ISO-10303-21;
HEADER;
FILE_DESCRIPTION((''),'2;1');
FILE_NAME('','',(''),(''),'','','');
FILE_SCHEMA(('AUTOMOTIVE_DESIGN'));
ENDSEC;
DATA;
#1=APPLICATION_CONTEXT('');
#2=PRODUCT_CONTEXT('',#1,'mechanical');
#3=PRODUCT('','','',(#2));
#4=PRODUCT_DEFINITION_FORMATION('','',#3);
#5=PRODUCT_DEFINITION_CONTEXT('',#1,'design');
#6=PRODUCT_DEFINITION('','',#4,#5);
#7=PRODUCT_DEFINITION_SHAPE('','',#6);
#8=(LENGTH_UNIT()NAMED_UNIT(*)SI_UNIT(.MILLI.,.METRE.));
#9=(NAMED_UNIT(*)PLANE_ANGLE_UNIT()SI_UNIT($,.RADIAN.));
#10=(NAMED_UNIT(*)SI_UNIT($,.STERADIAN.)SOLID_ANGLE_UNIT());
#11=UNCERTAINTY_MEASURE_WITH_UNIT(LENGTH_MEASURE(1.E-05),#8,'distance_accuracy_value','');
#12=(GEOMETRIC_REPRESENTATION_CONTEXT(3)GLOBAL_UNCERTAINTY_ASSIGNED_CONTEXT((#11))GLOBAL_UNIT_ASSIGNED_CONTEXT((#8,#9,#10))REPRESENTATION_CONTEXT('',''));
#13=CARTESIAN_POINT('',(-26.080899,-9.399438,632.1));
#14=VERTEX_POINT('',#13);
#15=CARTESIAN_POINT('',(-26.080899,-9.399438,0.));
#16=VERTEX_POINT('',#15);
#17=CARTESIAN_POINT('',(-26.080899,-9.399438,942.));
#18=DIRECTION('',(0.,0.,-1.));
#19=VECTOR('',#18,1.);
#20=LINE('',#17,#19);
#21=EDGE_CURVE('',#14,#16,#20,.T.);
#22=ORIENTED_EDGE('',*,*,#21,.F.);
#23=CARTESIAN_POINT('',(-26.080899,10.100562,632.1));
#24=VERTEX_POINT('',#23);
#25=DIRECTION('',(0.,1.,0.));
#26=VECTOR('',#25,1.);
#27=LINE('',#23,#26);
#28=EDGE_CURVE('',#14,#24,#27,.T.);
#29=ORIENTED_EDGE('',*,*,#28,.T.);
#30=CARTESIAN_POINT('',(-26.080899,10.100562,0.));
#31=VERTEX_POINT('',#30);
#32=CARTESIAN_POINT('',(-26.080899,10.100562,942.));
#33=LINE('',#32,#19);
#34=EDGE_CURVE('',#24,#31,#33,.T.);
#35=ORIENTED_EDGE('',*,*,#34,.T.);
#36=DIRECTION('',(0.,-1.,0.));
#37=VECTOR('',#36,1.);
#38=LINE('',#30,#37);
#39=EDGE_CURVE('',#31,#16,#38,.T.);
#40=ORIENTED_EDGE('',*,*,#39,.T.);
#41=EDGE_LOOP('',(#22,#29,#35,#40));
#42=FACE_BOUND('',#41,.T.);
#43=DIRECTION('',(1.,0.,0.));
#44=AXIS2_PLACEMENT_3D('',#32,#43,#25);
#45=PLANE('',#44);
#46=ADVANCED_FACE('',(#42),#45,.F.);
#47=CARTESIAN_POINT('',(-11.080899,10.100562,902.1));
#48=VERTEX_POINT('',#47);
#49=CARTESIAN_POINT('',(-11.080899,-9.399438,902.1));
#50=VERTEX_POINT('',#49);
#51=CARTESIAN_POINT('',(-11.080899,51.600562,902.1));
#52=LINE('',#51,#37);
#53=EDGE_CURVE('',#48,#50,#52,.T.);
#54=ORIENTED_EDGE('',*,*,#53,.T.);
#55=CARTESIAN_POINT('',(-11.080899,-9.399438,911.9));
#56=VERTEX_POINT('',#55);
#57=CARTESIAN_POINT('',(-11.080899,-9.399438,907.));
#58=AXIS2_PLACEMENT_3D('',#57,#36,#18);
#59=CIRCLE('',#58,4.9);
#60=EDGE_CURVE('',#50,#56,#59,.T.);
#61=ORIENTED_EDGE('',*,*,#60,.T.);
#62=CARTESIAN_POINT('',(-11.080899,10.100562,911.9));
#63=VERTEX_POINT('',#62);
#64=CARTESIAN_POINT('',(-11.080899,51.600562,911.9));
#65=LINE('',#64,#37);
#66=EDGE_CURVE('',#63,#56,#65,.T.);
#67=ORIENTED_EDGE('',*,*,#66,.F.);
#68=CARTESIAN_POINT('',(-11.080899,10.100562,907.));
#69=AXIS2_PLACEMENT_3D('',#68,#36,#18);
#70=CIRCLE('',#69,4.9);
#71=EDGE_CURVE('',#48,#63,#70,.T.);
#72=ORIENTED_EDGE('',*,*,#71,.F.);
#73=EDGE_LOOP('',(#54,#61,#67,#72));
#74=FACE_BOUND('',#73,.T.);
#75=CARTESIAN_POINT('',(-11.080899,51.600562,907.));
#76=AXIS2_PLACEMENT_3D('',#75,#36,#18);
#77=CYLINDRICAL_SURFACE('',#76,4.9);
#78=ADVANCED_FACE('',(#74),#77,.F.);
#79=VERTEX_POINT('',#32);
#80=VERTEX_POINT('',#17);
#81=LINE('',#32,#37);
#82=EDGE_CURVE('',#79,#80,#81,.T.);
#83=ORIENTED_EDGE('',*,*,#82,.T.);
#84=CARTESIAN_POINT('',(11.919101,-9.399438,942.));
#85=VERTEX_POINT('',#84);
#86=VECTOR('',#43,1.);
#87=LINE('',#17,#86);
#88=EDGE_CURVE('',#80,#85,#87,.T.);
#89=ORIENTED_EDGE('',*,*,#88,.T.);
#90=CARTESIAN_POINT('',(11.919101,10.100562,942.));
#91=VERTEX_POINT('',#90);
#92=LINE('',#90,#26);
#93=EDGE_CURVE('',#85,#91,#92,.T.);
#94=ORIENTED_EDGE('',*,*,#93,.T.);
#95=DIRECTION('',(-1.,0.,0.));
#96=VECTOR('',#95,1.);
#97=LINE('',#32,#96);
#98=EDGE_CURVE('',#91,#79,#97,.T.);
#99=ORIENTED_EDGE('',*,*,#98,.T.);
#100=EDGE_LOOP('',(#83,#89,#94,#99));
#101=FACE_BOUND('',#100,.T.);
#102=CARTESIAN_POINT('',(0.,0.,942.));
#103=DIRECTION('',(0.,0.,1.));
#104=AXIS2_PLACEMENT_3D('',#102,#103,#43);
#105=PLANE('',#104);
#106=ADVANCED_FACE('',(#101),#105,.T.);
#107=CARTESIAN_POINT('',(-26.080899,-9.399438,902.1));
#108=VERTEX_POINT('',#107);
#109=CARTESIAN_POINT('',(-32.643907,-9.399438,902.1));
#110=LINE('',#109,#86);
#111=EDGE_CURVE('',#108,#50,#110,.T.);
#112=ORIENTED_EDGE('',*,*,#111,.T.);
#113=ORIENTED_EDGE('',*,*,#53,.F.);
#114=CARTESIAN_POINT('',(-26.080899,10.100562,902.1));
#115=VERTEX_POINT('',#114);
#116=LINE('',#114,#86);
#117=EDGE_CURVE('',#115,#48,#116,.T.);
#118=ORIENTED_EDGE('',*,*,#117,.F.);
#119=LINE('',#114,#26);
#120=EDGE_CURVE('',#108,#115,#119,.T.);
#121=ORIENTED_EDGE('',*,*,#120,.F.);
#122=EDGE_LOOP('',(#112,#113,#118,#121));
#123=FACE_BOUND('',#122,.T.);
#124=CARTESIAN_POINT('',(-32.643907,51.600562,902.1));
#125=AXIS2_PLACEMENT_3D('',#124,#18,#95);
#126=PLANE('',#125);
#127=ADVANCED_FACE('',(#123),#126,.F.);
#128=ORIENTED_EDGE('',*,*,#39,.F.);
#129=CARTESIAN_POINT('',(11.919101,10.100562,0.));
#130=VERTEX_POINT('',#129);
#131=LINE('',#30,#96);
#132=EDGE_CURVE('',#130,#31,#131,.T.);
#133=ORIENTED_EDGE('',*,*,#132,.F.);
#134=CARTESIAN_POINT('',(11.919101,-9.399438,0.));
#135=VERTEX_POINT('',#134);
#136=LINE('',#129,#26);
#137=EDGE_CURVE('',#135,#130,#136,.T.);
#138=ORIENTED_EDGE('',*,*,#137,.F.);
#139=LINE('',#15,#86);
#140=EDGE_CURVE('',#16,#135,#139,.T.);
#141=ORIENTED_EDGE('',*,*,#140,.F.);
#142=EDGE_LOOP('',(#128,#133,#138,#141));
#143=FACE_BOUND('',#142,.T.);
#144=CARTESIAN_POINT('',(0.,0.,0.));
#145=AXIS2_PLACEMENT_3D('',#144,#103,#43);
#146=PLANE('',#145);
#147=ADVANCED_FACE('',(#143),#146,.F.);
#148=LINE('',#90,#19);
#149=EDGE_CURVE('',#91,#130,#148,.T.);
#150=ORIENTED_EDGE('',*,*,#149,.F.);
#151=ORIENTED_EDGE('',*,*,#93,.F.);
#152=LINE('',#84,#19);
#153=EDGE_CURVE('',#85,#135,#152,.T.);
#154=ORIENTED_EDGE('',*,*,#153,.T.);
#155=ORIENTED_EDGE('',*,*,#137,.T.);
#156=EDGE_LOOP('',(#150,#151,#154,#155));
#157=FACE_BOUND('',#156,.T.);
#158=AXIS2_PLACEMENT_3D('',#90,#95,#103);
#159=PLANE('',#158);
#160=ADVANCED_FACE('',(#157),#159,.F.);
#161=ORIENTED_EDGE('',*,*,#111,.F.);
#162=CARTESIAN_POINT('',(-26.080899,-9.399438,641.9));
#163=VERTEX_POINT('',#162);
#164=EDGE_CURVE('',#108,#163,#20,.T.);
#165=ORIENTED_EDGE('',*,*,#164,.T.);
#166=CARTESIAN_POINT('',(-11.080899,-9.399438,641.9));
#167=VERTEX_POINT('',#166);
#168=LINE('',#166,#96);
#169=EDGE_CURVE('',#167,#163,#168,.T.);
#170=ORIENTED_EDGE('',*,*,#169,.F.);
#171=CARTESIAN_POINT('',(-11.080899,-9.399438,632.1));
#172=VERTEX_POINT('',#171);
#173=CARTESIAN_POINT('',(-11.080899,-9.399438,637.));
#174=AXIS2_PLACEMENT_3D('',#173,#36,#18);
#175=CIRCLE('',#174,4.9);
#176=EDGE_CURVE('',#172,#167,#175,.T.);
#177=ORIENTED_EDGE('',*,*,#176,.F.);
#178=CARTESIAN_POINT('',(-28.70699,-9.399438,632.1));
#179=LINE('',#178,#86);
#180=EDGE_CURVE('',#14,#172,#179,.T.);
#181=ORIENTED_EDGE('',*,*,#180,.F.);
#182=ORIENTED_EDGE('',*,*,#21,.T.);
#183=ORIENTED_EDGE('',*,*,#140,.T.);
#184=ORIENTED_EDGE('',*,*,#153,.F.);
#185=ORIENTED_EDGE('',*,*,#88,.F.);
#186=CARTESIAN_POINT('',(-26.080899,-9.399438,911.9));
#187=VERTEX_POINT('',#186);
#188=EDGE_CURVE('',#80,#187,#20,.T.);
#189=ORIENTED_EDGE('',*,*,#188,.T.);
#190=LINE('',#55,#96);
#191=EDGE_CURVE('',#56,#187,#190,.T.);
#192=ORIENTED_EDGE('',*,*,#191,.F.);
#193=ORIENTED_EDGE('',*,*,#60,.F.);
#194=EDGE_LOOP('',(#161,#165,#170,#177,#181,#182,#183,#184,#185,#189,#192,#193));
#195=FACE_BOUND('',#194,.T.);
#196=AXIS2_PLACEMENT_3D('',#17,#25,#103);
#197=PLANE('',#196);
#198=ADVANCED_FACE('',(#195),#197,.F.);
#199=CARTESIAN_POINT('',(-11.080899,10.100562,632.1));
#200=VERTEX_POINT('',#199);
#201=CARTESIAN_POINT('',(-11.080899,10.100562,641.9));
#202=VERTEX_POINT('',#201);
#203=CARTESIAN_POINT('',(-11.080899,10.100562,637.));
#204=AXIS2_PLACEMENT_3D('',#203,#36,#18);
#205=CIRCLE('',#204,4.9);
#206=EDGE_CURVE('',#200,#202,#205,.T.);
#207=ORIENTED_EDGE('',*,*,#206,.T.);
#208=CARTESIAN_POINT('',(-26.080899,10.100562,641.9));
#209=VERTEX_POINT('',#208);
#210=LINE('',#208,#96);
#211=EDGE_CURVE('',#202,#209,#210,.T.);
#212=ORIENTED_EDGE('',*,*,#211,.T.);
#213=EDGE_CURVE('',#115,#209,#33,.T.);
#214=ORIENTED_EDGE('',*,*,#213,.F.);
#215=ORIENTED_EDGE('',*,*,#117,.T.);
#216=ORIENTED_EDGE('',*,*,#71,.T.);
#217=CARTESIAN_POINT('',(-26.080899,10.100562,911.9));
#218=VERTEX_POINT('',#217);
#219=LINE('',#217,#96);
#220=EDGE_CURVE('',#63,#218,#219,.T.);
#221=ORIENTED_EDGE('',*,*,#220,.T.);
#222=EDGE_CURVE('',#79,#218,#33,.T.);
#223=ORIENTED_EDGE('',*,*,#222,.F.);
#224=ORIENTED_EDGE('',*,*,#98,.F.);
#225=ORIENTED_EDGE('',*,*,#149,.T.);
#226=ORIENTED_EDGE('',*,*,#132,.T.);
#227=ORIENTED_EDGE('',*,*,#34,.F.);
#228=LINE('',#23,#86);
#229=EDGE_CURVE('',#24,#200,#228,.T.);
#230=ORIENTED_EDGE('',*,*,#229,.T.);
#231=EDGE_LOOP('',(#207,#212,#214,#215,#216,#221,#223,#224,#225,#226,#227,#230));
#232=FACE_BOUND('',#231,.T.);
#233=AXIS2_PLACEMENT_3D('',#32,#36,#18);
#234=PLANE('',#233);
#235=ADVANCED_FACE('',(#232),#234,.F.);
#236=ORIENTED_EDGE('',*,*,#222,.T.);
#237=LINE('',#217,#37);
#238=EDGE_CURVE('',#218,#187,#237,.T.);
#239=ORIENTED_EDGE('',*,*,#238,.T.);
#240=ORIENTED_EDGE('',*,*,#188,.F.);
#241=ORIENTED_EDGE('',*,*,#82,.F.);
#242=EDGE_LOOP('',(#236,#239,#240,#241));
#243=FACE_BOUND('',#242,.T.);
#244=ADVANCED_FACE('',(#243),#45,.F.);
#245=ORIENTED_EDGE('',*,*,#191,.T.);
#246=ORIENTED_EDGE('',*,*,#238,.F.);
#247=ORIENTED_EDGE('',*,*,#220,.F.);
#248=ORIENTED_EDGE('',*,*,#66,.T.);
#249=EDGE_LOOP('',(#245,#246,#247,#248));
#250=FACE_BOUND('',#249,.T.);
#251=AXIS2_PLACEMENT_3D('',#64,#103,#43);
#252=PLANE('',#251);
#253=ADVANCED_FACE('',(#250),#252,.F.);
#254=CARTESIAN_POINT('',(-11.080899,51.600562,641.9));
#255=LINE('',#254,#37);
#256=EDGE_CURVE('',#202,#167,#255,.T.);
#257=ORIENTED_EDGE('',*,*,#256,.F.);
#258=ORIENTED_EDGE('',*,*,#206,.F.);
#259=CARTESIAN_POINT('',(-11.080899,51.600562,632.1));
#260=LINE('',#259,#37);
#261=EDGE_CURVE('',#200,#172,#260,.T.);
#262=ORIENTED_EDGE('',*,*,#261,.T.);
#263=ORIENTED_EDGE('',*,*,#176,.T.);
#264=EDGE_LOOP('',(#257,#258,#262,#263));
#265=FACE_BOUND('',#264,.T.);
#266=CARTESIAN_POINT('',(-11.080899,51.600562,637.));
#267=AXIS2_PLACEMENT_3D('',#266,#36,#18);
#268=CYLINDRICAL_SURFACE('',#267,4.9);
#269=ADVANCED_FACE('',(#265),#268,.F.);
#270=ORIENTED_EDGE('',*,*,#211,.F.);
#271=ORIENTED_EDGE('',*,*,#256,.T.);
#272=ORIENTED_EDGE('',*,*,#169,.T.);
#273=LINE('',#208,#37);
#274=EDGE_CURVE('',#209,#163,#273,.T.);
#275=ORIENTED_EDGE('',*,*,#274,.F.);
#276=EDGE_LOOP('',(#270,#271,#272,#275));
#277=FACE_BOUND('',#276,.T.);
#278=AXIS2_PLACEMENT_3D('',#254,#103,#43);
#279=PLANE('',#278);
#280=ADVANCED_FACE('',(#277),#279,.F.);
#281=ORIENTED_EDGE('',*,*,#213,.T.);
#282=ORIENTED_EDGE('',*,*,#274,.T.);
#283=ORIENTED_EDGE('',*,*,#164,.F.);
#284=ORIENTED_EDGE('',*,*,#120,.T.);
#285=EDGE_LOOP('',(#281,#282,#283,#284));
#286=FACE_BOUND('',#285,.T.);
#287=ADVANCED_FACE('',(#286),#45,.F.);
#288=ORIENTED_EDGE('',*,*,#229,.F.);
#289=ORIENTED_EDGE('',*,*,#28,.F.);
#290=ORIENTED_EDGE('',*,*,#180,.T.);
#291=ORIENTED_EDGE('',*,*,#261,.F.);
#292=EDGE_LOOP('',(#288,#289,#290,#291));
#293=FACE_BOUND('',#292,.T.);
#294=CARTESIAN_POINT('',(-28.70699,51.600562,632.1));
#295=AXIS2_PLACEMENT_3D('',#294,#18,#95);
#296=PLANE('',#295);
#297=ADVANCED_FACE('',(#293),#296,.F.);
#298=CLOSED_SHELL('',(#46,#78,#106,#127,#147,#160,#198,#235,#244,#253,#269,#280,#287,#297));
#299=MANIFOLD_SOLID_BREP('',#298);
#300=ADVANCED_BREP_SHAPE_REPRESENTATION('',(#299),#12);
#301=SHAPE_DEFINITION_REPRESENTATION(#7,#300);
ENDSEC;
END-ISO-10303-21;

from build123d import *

# Parameters (mm, degrees)
SKETCH1_W           = 38
SKETCH1_H           = 19.5
BOSS_EXTRUDE1_DEPTH = 942
CUT_EXTRUDE1_DEPTH  = 61


with BuildPart() as part:
    # Sketch1 → Boss-Extrude1 (new body)
    with BuildSketch(Plane.XY):
        with Locations((-7.080898876, 0.350561798)):
            Rectangle(SKETCH1_W, SKETCH1_H)
    extrude(amount=BOSS_EXTRUDE1_DEPTH)

    # Sketch2 → Cut-Extrude1 (cut)
    with BuildSketch(Plane.XZ.offset(9.399438202)):
        with BuildLine():
            Line((-11.080898876, 911.9), (-32.643906923, 911.9))
            Line((-32.643906923, 911.9), (-32.643906923, 902.1))
            Line((-32.643906923, 902.1), (-11.080898876, 902.1))
            ThreePointArc((-11.080898876, 902.1), (-6.180898876, 907), (-11.080898876, 911.9))
        make_face()
        with BuildLine():
            Line((-11.080898876, 641.9), (-28.706990063, 641.9))
            Line((-28.706990063, 641.9), (-28.706990063, 632.1))
            Line((-28.706990063, 632.1), (-11.080898876, 632.1))
            ThreePointArc((-11.080898876, 632.1), (-6.180898876, 637), (-11.080898876, 641.9))
        make_face()
    extrude(amount=-CUT_EXTRUDE1_DEPTH, mode=Mode.SUBTRACT)


solid = part.part
